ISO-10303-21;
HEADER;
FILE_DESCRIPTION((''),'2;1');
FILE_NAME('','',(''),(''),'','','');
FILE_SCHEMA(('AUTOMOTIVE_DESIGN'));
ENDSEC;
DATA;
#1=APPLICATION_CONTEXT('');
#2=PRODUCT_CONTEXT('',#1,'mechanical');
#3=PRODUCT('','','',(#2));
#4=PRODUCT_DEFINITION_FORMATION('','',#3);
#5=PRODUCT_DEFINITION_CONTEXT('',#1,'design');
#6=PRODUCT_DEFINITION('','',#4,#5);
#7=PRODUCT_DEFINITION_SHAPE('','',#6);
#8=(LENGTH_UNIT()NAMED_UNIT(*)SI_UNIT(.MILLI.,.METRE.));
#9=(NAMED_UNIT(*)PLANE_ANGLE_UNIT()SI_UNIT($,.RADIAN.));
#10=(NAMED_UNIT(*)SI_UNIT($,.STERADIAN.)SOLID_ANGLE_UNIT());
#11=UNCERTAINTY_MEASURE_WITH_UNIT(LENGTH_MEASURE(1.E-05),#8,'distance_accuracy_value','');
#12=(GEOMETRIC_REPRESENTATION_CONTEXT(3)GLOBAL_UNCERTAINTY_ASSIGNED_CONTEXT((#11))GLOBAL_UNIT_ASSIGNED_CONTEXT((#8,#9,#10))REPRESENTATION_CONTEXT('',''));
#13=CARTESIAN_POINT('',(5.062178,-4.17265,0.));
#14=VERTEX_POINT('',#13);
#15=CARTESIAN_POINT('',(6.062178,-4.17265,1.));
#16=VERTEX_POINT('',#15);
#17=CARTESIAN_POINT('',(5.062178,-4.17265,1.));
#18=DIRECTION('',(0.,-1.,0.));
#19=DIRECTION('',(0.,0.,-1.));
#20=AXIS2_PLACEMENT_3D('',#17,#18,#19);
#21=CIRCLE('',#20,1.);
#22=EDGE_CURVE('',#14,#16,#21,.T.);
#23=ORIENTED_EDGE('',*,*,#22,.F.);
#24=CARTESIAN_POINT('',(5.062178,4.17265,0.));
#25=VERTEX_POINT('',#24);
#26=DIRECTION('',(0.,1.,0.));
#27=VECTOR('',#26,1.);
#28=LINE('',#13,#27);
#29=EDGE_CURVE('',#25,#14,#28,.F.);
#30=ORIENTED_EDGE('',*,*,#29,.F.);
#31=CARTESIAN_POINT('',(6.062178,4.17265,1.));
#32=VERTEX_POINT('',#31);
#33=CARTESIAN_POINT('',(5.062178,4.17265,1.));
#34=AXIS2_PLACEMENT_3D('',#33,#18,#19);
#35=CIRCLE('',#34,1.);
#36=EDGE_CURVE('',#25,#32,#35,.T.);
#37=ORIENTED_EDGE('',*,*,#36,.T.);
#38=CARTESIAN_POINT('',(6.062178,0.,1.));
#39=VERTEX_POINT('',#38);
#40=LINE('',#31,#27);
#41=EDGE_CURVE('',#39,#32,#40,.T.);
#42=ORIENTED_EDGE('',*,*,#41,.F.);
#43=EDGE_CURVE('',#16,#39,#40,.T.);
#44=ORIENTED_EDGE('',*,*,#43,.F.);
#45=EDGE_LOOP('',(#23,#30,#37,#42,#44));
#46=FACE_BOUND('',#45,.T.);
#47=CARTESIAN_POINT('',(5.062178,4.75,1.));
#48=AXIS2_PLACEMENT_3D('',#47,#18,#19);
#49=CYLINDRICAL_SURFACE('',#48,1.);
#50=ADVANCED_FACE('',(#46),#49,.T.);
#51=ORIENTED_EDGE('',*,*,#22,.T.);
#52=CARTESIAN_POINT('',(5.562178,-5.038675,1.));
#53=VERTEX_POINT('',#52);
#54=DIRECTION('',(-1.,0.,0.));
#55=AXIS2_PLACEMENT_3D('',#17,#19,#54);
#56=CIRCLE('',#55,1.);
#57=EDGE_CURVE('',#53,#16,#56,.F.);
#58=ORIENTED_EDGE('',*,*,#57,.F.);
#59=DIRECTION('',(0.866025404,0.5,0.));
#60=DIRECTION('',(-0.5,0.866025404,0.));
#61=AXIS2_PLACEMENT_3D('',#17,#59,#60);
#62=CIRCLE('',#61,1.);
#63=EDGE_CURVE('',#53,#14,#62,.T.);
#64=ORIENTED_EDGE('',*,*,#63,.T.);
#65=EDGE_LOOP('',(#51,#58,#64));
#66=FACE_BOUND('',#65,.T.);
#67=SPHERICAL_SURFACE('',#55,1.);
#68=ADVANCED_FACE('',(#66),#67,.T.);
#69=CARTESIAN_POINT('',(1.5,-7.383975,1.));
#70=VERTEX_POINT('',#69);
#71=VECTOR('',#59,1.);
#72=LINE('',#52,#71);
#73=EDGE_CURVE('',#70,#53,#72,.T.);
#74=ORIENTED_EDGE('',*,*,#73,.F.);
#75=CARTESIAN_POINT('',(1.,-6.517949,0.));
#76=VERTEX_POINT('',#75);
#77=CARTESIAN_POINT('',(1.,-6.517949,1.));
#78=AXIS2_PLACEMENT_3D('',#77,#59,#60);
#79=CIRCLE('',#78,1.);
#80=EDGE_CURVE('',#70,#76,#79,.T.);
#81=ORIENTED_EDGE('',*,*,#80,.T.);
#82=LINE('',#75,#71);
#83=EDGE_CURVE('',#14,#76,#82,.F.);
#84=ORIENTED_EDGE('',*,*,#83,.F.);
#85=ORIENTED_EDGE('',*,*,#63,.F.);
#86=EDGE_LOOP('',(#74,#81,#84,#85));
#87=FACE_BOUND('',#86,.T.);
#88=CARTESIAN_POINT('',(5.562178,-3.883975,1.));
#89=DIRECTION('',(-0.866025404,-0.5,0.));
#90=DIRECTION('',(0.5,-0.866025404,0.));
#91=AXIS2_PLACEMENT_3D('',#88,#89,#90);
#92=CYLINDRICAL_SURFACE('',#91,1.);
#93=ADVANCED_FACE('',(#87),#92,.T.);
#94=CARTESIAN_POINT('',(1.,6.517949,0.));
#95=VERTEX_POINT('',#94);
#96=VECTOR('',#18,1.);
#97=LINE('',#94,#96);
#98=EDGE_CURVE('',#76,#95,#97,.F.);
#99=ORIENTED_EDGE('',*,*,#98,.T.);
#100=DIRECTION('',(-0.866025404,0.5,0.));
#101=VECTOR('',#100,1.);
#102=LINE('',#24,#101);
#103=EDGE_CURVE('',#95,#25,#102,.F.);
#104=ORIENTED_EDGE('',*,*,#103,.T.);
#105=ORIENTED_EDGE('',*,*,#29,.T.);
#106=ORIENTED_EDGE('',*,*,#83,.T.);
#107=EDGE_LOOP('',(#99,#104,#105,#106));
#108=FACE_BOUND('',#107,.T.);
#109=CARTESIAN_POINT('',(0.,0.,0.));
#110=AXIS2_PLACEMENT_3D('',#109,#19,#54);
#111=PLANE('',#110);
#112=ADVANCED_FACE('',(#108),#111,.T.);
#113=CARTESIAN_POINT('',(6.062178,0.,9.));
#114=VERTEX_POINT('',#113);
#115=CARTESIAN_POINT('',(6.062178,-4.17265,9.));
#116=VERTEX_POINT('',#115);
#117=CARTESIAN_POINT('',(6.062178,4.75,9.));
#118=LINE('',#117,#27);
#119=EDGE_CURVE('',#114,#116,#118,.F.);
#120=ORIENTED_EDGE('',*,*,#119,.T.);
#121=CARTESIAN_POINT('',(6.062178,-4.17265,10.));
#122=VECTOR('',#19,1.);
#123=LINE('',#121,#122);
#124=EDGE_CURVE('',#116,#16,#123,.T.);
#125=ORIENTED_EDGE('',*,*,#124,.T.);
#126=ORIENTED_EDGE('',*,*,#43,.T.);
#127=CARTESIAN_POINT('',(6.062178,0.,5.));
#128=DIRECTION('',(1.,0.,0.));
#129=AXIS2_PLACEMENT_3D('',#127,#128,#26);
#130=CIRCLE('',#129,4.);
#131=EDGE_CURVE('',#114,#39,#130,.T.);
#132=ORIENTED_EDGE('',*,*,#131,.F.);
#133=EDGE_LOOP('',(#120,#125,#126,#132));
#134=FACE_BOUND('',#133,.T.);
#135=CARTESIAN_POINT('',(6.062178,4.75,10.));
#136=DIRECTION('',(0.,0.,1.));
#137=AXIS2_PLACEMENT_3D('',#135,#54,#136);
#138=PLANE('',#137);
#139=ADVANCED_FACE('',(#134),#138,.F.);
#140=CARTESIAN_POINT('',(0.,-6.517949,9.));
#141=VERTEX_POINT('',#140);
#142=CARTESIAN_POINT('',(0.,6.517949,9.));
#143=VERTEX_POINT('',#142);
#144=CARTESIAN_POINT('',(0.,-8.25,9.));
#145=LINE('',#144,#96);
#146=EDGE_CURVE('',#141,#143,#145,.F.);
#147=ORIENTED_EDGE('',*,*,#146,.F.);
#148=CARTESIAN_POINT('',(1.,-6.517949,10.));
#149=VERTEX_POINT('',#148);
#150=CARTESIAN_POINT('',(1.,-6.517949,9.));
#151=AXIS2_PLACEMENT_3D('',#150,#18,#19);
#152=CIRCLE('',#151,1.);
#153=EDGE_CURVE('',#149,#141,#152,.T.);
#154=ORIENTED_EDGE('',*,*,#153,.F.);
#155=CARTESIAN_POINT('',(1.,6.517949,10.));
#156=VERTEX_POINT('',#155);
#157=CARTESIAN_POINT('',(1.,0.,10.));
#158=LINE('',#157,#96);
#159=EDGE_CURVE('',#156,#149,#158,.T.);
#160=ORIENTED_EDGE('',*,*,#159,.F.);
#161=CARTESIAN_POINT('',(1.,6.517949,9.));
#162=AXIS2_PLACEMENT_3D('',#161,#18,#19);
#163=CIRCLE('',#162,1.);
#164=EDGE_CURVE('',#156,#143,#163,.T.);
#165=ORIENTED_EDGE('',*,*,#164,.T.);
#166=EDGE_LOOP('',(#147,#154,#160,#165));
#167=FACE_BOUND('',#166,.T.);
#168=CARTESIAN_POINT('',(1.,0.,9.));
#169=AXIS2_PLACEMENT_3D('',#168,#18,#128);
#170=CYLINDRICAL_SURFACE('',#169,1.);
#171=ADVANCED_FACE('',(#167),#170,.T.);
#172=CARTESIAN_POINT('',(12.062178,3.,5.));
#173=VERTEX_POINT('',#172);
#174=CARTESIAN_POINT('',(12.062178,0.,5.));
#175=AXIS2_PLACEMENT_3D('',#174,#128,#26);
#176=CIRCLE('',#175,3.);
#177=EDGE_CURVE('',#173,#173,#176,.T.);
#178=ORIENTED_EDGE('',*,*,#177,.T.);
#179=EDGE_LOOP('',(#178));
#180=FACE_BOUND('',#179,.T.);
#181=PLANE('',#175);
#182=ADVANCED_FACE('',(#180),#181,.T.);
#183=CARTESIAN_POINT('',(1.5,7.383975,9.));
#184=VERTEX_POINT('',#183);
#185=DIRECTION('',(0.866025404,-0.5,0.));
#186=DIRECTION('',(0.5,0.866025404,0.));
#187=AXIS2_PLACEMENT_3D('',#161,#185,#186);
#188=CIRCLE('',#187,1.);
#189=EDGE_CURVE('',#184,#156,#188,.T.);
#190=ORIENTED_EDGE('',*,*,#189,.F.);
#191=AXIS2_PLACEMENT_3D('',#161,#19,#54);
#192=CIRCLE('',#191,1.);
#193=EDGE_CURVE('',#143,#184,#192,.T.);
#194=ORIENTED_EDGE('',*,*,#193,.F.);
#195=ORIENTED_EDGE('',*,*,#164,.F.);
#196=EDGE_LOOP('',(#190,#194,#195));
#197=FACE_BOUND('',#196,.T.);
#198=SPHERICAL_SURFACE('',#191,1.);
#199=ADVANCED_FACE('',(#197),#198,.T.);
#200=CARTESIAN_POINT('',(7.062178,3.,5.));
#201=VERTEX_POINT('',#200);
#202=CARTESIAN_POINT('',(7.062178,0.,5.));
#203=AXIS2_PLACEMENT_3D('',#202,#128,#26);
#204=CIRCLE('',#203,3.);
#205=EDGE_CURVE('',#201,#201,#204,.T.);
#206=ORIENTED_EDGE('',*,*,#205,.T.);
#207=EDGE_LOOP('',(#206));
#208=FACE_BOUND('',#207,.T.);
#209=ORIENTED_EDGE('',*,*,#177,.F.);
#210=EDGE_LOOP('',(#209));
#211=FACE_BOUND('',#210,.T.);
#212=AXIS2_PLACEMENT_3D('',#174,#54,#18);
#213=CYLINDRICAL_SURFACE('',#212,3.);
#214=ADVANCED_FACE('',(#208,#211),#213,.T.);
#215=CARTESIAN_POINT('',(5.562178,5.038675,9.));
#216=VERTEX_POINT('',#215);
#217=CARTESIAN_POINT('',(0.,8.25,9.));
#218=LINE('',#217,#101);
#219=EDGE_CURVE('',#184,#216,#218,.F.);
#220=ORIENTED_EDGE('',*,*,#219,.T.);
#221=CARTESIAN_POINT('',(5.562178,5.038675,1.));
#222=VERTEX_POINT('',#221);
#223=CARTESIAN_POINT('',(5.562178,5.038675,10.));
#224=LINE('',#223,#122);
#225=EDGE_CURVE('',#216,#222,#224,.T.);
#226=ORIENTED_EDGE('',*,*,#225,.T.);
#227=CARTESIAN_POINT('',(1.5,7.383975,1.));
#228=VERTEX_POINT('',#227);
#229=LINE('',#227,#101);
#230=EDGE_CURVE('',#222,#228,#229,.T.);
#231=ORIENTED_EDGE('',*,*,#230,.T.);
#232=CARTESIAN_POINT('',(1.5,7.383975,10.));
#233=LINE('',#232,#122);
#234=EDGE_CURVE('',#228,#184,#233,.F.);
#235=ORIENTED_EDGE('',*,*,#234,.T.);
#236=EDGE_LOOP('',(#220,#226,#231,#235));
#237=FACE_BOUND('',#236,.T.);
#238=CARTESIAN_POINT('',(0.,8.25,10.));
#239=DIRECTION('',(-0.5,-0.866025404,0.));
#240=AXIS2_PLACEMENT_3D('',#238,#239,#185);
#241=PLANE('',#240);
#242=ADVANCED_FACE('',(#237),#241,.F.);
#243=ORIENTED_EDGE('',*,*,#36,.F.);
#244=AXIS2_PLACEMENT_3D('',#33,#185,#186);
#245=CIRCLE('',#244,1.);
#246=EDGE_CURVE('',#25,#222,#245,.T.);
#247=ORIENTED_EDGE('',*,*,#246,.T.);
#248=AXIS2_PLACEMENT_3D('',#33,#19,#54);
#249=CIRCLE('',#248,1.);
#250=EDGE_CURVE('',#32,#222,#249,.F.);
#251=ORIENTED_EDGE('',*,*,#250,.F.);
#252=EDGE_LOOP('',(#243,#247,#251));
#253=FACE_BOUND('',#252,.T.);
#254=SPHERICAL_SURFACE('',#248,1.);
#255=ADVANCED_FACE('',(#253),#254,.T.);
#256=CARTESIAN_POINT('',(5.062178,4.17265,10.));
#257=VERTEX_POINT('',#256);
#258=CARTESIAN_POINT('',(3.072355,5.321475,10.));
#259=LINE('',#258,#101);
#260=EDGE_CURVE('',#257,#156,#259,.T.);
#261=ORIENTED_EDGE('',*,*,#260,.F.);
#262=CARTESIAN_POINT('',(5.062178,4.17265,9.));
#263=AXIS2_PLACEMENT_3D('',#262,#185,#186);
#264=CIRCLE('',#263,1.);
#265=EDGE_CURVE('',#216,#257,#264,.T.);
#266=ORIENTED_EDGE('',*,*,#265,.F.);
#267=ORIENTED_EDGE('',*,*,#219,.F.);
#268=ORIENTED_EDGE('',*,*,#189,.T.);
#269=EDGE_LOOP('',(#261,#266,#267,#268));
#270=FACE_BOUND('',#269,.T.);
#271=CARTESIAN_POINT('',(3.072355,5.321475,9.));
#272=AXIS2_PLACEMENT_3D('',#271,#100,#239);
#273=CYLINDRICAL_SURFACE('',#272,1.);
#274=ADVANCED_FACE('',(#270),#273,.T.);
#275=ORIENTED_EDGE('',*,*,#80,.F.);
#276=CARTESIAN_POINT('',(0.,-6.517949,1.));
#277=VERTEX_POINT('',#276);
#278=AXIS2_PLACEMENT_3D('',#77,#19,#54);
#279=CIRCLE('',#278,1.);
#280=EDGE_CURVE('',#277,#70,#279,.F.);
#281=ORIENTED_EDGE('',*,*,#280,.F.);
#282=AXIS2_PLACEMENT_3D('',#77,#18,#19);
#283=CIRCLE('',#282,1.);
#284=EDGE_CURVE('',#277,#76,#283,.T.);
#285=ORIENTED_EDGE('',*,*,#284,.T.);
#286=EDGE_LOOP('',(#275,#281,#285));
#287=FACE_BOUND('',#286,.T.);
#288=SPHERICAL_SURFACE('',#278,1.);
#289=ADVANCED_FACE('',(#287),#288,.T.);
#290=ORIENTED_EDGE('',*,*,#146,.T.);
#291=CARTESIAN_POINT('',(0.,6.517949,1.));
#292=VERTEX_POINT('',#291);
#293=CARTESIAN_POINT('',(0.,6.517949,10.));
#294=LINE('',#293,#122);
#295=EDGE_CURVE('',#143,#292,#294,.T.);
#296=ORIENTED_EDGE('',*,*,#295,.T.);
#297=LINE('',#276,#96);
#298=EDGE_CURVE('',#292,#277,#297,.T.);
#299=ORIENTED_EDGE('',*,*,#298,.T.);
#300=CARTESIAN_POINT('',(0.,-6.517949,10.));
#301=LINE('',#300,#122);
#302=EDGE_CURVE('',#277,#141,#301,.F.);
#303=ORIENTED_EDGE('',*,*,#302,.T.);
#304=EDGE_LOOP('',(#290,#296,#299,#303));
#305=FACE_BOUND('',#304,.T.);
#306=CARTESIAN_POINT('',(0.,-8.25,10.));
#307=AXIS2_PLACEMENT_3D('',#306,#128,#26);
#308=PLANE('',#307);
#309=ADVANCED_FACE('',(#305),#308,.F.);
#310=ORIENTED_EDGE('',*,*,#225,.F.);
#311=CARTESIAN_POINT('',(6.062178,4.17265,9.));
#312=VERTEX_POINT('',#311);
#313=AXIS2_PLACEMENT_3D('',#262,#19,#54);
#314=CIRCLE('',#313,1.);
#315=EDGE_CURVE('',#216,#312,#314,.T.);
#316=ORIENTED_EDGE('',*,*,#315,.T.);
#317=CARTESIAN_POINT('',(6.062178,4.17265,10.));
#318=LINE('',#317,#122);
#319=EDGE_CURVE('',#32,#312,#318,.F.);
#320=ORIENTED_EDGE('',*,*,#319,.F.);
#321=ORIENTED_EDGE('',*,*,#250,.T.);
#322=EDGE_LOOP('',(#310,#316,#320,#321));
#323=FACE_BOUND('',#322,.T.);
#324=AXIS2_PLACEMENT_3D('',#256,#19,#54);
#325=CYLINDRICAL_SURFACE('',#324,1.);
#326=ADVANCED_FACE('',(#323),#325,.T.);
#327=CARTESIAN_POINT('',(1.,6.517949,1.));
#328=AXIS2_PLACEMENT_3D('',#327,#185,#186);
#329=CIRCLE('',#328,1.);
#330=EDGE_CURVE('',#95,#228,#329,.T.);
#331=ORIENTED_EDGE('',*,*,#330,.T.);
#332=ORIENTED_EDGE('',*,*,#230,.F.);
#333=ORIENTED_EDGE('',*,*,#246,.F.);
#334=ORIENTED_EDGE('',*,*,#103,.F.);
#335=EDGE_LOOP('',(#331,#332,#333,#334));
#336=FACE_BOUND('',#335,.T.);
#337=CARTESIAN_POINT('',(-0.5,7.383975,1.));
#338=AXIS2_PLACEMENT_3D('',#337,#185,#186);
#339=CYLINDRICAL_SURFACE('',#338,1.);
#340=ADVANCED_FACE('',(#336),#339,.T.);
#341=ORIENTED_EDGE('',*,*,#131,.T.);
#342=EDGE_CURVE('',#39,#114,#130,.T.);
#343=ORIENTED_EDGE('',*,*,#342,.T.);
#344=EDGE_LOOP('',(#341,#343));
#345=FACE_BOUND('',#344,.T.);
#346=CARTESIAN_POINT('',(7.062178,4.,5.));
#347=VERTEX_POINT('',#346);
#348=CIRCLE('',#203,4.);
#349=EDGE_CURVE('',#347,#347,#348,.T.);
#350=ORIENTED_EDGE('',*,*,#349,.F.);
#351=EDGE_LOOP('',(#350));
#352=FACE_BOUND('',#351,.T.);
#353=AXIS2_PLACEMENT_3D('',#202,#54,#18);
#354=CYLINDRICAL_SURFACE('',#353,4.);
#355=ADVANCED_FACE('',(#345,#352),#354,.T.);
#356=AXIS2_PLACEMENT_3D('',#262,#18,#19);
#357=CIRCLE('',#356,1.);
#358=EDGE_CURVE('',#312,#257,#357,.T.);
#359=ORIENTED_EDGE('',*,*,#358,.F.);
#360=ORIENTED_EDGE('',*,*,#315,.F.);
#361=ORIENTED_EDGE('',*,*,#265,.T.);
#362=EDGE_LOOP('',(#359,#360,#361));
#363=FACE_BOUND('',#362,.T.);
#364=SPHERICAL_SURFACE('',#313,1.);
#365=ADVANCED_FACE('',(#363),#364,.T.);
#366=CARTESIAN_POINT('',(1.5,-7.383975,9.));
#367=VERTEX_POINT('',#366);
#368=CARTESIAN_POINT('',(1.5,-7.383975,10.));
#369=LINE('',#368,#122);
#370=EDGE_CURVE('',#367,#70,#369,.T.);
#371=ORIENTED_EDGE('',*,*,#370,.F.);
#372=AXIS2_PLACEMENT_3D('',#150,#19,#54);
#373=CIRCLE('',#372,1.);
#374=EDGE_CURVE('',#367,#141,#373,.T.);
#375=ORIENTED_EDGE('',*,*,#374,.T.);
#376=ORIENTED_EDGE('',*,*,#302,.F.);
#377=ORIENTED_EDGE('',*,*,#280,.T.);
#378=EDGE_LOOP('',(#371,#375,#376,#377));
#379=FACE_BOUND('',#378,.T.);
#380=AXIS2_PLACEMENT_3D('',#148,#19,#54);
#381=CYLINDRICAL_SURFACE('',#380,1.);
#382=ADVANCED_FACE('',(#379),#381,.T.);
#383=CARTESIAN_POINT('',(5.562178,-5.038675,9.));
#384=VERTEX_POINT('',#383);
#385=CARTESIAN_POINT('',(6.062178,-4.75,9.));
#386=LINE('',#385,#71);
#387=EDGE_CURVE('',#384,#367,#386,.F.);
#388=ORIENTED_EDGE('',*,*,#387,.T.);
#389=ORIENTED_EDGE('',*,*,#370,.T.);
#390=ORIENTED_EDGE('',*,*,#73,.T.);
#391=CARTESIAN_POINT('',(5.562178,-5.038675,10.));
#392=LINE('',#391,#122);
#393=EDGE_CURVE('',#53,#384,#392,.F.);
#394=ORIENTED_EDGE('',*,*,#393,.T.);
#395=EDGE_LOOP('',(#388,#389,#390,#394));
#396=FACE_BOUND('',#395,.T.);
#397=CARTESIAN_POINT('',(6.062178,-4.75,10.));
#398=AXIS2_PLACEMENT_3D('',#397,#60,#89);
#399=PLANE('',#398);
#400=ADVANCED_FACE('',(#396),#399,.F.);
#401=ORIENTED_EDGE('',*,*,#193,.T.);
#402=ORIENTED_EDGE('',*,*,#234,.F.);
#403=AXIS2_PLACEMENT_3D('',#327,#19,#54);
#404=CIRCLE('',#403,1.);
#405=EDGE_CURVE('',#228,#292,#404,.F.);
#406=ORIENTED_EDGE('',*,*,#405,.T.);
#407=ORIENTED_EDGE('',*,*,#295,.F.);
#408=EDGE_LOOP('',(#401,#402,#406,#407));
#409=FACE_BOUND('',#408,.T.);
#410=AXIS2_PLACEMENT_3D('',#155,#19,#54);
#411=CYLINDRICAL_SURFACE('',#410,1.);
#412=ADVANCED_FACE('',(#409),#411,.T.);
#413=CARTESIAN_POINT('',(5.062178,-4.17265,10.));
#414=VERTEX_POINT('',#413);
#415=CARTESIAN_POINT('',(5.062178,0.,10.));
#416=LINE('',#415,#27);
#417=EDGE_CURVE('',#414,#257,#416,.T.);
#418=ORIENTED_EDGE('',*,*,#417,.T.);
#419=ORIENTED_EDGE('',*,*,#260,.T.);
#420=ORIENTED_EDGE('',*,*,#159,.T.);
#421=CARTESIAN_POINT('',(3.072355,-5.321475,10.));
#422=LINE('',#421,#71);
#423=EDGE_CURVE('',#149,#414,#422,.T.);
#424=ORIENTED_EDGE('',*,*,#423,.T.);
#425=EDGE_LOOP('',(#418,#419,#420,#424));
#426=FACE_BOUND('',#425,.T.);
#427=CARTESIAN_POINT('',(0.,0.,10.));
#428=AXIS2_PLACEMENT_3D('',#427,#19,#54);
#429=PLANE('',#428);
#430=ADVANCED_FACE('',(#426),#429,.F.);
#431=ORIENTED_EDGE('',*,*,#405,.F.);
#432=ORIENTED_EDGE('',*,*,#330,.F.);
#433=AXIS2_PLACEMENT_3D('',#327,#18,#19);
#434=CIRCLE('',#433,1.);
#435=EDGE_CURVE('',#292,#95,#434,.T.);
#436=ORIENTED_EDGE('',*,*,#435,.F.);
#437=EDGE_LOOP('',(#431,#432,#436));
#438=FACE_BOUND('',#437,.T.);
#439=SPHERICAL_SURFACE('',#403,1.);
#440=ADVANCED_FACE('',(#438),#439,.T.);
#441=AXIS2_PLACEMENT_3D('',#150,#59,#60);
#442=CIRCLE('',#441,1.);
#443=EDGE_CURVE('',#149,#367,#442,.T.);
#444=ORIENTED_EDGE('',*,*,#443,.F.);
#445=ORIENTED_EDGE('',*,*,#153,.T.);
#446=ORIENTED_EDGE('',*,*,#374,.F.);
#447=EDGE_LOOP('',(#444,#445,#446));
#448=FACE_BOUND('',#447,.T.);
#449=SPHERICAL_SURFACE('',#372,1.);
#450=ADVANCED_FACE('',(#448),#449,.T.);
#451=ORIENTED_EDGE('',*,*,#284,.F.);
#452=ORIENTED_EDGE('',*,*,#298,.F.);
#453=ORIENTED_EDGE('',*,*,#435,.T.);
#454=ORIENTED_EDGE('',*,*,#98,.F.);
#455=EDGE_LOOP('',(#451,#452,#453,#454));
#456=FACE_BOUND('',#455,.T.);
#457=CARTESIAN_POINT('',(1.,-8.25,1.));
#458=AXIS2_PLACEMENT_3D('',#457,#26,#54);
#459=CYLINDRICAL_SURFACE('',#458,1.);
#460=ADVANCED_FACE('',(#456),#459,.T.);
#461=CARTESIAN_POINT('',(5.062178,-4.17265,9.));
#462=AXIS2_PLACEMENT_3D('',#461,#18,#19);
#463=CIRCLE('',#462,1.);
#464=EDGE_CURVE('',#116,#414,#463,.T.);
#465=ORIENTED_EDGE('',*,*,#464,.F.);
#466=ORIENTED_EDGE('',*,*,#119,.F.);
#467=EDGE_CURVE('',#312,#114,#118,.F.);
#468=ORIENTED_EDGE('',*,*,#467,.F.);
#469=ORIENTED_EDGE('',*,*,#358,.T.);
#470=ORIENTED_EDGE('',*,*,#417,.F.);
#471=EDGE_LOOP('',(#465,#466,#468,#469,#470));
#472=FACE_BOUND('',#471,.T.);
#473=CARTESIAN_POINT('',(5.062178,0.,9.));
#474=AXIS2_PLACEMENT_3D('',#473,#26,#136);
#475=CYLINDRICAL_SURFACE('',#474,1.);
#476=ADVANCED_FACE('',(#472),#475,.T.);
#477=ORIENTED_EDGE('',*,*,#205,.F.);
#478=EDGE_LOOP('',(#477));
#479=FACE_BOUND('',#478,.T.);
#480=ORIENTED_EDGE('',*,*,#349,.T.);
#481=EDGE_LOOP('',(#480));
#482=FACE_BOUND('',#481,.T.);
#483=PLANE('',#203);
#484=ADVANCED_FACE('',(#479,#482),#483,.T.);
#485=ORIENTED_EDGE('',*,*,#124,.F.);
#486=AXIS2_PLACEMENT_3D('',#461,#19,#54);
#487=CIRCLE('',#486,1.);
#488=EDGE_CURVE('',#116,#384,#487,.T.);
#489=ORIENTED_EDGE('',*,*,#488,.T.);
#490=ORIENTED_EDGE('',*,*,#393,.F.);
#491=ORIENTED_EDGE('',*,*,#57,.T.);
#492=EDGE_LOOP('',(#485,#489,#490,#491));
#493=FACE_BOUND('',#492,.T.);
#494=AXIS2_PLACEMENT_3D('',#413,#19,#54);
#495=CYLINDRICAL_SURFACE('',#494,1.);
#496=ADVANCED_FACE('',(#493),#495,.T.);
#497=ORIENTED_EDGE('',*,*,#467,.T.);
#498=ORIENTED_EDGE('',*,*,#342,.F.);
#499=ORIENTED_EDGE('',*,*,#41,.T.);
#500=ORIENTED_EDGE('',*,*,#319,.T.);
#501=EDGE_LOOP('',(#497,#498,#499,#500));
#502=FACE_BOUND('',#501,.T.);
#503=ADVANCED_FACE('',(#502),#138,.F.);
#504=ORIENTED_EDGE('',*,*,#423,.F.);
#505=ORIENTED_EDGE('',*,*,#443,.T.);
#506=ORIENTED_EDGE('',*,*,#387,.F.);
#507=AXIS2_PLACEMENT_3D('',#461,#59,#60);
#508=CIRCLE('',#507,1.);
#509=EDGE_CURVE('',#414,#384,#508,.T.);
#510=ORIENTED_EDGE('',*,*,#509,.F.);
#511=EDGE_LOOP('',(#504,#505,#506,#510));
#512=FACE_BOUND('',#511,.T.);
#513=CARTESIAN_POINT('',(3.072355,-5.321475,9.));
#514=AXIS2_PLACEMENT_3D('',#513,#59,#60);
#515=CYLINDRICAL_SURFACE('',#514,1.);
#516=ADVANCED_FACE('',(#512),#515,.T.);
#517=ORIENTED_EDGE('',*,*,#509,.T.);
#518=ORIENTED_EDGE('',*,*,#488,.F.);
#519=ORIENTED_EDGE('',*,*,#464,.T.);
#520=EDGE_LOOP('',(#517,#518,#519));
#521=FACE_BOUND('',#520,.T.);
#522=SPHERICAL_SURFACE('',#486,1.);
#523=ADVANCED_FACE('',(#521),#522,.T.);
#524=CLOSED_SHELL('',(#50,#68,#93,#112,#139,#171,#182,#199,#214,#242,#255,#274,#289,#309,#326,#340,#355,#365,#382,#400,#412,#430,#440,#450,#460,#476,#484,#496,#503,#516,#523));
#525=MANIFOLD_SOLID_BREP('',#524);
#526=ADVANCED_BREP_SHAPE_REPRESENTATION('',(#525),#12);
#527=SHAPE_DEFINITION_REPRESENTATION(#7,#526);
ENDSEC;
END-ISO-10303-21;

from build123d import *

# Parameters (mm, degrees)
Y_KSEKLIK_EKSTR_ZYON1_DEPTH = 10
RADYUS1_R                   = 1
RADYUS2_R                   = 1
IZIM2_R                     = 4
Y_KSEKLIK_EKSTR_ZYON2_DEPTH = 1
IZIM3_R                     = 3
Y_KSEKLIK_EKSTR_ZYON3_DEPTH = 5


with BuildPart() as part:
    # Çizim1 → Yükseklik-Ekstrüzyon1 (new body)
    with BuildSketch(Plane.XY):
        Polygon((0, -8.25), (0, 8.25), (6.062177826, 4.75), (6.062177826, -4.75), align=None)
    extrude(amount=Y_KSEKLIK_EKSTR_ZYON1_DEPTH)

    # Radyus1
    radyus1_edges = [part.edges().sort_by_distance(p)[0] for p in [
        (0, -8.25, 5),
        (0, 8.25, 5),
        (6.062177826, 4.75, 5),
        (6.062177826, -4.75, 5),
    ]]
    fillet(radyus1_edges, radius=RADYUS1_R)

    # Radyus2
    radyus2_edges = [part.edges().sort_by_distance(p)[0] for p in [
        (3.531088913, -6.211324865, 0),
        (3.531088913, -6.211324865, 10),
        (0, 0, 0),
        (3.531088913, 6.211324865, 0),
        (6.062177826, 0, 0),
        (0.5, 7.383974596, 0),
        (5.92820323, 4.672649731, 0),
        (5.92820323, -4.672649731, 0),
        (0.5, -7.383974596, 0),
        (0, 0, 10),
        (6.062177826, 0, 10),
        (3.531088913, 6.211324865, 10),
        (0.5, 7.383974596, 10),
        (5.92820323, 4.672649731, 10),
        (5.92820323, -4.672649731, 10),
        (0.5, -7.383974596, 10),
    ]]
    fillet(radyus2_edges, radius=RADYUS2_R)

    # Çizim2 → Yükseklik-Ekstrüzyon2 (add)
    with BuildSketch(Plane(origin=(6.062177826, 0, 0), x_dir=(0, 0, -1), z_dir=(1, 0, 0))):
        with Locations((-5, 0)):
            Circle(IZIM2_R)
    extrude(amount=Y_KSEKLIK_EKSTR_ZYON2_DEPTH)

    # Çizim3 → Yükseklik-Ekstrüzyon3 (add)
    with BuildSketch(Plane(origin=(7.062177826, 0, 0), x_dir=(0, 0, -1), z_dir=(1, 0, 0))):
        with Locations(Location((-5, 0, 0), (0, 0, 90))):
            Circle(IZIM3_R)
    extrude(amount=Y_KSEKLIK_EKSTR_ZYON3_DEPTH)


solid = part.part
